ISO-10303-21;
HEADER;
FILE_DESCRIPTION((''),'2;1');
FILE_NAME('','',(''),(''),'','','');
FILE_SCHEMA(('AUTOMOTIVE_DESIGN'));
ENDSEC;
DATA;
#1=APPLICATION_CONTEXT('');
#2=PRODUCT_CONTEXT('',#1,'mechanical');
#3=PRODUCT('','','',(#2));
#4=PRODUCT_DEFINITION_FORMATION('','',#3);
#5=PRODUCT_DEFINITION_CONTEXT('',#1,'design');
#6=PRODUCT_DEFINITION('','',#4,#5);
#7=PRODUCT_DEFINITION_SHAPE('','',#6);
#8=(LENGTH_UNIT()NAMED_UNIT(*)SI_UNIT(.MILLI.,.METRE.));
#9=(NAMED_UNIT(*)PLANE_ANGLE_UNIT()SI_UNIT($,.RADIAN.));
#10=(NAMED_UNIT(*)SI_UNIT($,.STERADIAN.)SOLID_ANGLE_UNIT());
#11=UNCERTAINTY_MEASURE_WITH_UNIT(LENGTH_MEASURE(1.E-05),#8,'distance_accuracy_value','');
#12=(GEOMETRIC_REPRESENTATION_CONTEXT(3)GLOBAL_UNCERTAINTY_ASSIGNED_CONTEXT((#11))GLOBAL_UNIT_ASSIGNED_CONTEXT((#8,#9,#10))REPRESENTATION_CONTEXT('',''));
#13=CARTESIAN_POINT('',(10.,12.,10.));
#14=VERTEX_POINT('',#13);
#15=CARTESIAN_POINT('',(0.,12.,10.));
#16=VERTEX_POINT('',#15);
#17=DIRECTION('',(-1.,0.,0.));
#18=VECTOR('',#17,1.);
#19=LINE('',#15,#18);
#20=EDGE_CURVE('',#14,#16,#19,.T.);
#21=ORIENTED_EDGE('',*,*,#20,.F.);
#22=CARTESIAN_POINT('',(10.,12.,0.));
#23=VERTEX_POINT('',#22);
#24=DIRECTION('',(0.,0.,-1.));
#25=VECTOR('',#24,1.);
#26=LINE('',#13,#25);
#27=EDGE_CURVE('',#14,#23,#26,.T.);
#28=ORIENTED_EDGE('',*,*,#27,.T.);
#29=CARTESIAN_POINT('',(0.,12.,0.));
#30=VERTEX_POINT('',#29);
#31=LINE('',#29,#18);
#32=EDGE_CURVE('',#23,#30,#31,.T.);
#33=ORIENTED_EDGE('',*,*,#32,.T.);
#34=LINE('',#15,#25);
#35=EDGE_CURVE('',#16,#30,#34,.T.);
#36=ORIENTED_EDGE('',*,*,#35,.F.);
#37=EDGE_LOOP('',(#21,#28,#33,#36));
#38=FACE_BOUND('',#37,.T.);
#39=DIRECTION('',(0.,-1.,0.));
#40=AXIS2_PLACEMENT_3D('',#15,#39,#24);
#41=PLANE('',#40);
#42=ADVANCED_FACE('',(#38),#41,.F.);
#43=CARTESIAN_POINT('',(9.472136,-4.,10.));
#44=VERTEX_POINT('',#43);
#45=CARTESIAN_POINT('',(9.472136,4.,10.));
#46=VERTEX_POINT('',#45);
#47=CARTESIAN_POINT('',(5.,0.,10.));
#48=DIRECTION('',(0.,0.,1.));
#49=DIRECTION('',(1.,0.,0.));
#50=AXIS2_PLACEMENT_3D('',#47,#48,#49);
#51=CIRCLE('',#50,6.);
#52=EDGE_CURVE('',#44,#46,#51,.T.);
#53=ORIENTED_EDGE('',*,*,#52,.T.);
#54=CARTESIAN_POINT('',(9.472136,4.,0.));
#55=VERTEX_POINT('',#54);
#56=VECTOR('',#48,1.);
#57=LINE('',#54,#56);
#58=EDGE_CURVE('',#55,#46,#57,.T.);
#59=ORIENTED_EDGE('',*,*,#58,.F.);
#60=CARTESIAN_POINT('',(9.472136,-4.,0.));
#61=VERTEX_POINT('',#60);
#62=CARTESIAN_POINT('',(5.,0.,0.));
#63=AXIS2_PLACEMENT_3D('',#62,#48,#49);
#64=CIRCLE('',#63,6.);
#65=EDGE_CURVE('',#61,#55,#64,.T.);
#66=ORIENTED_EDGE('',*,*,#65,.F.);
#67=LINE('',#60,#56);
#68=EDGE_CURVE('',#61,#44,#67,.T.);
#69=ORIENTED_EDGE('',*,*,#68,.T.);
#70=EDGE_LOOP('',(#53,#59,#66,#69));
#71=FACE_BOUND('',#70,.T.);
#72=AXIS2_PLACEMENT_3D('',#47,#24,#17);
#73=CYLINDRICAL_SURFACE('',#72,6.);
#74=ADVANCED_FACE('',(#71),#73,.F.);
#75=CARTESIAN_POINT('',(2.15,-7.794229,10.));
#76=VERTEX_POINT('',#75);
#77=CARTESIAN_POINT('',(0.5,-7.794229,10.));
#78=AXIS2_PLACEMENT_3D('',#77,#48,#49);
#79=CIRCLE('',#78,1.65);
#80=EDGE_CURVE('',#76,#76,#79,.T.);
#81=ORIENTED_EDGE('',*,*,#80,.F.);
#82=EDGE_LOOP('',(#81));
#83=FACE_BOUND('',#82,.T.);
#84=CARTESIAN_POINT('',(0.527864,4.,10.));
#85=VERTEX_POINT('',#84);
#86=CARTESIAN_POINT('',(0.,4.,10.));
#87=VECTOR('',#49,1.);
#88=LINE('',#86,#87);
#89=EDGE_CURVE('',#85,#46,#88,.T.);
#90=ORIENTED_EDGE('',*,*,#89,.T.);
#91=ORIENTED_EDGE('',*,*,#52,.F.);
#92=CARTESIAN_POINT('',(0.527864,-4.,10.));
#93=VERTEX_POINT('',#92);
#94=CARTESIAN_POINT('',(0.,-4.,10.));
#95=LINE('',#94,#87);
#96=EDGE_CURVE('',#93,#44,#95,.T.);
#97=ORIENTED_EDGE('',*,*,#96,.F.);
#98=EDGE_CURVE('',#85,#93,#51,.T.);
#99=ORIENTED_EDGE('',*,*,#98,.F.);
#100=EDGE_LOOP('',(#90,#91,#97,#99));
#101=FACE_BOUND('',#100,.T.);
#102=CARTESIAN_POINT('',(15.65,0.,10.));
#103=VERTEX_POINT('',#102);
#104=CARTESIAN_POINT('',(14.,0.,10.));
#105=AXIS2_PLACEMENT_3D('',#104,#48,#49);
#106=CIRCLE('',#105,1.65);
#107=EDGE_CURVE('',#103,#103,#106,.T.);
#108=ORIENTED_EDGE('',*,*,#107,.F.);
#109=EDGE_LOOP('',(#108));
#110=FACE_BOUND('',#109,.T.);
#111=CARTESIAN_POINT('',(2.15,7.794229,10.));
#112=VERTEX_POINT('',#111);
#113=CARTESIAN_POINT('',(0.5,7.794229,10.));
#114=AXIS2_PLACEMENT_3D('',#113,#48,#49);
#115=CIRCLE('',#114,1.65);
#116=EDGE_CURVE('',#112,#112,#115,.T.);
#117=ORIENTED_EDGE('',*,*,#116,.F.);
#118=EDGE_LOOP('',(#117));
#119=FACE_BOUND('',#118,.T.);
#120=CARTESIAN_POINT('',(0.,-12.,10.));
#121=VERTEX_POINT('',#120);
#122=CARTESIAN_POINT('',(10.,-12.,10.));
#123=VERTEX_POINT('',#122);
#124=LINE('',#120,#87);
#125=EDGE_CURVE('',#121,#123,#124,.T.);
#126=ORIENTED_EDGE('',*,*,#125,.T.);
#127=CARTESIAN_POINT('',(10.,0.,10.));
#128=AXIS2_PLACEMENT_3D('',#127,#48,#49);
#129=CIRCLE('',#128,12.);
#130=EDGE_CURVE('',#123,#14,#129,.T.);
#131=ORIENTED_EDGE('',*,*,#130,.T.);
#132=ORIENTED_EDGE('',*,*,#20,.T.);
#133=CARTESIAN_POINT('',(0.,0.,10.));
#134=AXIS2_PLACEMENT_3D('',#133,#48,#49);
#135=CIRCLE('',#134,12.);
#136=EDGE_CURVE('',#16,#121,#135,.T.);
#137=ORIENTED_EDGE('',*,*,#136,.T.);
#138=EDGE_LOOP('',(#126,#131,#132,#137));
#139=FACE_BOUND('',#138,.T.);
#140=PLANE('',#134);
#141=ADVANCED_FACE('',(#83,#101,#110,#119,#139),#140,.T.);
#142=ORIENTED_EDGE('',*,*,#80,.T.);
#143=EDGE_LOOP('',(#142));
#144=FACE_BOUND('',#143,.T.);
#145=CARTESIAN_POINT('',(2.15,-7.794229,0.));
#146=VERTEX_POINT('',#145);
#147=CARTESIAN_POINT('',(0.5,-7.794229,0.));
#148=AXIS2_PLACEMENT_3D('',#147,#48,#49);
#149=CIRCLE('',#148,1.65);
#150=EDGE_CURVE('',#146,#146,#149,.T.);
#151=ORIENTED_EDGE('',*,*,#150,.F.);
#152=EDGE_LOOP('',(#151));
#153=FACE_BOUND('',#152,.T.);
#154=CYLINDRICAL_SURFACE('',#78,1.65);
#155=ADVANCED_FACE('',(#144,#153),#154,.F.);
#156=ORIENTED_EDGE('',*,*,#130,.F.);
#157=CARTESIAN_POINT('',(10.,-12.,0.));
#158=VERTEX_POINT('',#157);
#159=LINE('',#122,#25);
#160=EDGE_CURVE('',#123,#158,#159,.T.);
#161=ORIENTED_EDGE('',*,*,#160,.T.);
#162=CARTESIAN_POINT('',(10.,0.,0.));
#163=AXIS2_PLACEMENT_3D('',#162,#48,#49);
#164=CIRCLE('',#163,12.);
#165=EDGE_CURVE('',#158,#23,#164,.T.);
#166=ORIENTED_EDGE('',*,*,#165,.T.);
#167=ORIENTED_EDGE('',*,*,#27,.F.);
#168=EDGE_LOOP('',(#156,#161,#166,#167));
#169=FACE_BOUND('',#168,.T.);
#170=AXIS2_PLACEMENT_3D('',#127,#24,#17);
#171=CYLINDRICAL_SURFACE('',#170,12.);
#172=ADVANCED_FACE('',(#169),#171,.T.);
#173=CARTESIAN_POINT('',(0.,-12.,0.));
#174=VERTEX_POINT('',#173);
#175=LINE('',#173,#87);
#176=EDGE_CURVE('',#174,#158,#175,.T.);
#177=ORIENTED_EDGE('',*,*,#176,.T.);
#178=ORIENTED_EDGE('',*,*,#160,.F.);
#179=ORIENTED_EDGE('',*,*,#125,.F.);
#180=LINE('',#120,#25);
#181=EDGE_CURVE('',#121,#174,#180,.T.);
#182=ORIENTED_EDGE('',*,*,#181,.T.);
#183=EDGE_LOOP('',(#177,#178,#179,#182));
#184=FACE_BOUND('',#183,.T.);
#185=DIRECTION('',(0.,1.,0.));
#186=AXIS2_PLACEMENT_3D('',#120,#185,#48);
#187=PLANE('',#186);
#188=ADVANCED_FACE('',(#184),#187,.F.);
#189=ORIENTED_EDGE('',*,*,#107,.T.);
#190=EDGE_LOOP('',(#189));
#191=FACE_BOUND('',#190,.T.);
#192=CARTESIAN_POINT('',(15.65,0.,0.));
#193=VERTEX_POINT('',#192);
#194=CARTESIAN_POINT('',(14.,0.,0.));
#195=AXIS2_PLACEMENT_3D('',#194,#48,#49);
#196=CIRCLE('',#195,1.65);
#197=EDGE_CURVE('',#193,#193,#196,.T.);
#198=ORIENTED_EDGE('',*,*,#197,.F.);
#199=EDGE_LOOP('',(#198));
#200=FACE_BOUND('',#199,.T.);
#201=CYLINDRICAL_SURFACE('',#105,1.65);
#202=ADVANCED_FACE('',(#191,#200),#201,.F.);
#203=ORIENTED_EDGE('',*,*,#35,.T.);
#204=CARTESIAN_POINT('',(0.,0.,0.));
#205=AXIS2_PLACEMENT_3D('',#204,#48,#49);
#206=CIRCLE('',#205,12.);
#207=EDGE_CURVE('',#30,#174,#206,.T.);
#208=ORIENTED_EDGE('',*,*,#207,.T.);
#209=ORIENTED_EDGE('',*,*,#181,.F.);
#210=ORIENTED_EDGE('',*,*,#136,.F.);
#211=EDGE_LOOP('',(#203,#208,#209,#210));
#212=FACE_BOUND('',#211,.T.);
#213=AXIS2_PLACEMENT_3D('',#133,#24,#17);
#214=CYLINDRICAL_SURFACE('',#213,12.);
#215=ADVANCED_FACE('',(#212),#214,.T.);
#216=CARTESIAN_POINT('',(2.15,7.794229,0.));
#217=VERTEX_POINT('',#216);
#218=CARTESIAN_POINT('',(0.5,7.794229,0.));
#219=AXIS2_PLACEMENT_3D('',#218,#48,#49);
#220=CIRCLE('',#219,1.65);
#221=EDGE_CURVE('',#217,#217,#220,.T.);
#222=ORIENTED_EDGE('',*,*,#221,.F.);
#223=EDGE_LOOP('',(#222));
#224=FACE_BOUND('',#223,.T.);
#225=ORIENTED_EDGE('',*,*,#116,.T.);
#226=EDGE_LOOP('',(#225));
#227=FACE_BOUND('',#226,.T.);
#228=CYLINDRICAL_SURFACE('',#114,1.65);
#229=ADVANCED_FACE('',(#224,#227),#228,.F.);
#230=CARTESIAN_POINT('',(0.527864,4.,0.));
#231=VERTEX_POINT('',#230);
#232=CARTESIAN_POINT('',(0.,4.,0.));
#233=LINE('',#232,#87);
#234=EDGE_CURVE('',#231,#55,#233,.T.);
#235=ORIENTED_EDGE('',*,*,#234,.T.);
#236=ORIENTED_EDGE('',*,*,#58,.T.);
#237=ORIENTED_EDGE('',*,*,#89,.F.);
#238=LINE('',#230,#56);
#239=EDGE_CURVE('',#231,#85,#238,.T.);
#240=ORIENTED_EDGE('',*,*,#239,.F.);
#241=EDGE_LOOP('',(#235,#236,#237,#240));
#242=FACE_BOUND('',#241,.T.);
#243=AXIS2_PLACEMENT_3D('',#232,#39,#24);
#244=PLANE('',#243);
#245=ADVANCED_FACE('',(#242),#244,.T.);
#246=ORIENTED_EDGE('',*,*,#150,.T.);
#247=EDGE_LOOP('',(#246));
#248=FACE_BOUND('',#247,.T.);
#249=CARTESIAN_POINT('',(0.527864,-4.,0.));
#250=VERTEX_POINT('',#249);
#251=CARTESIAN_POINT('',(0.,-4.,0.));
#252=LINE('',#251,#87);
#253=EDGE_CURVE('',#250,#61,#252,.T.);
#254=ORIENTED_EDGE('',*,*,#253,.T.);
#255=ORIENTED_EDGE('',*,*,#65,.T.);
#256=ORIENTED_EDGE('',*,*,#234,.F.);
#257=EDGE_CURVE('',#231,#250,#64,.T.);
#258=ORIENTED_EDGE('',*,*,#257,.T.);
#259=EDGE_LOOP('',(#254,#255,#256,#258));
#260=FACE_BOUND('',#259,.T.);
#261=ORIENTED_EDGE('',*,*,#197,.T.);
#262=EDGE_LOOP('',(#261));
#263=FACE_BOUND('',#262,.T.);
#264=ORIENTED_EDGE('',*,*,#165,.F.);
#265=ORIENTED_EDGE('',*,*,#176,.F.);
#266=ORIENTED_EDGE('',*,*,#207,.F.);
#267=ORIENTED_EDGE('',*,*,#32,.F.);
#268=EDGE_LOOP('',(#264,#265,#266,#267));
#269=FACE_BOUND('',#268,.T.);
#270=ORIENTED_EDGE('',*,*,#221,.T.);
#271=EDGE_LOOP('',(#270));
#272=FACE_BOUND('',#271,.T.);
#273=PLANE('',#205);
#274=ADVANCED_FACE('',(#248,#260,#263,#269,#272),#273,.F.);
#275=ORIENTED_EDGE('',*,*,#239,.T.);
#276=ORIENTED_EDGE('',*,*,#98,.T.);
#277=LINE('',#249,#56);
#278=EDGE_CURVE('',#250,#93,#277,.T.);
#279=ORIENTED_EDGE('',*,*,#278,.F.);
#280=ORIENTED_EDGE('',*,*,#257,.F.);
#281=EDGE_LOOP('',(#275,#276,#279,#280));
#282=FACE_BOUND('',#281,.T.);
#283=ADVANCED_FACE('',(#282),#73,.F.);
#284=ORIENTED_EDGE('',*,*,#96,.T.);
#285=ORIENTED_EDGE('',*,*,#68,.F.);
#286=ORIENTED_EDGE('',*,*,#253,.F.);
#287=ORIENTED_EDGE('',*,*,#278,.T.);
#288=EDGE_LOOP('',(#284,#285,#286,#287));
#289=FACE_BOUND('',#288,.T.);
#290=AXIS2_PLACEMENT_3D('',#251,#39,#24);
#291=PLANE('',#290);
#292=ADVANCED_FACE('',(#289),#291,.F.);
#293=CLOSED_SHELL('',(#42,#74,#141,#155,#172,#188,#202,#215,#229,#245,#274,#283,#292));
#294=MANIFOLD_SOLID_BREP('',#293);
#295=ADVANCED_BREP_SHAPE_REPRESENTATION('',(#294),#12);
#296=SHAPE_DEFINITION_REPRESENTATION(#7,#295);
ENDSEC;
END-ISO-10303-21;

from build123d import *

# Parameters (mm, degrees)
SKETCH1_R           = 6
BOSS_EXTRUDE1_DEPTH = 10
M4_TAPPED_HOLE1_D   = 3.3
CIRPATTERN1_COUNT   = 3
BOSS_EXTRUDE2_START = -10
BOSS_EXTRUDE2_DEPTH = 10


with BuildPart() as part:
    # Sketch1 → Boss-Extrude1 (new body)
    with BuildSketch(Plane.XY):
        with BuildLine():
            Line((0, 12), (10, 12))
            ThreePointArc((10, 12), (22, 0), (10, -12))
            Line((10, -12), (0, -12))
            ThreePointArc((0, -12), (-12, 0), (0, 12))
        make_face()
        with Locations((5, 0)):
            Circle(SKETCH1_R, mode=Mode.SUBTRACT)
    extrude(amount=BOSS_EXTRUDE1_DEPTH)

    # M4 Tapped Hole1 (through all)
    with Locations(Plane(origin=(14, 0, 10), x_dir=(1, 0, 0), z_dir=(0, 0, 1))):
        with Locations((0, 0)):
            m4_tapped_hole1 = Hole(M4_TAPPED_HOLE1_D / 2)

    # CirPattern1: M4 Tapped Hole1 ×3 about axis
    cirpattern1_axis = Axis((5, 0, 0), (0, 0, 1))
    for i in range(1, CIRPATTERN1_COUNT):
        add(m4_tapped_hole1.rotate(cirpattern1_axis, i * 360 / CIRPATTERN1_COUNT), mode=Mode.SUBTRACT)

    # Sketch4 → Boss-Extrude2 (add)
    with BuildSketch(Plane.XY.offset(10).offset(BOSS_EXTRUDE2_START)):
        with BuildLine():
            ThreePointArc((9.472135955, 4), (5, 6), (0.527864045, 4))
            Line((0.527864045, 4), (9.472135955, 4))
        make_face()
        with BuildLine():
            Line((9.472135955, -4), (0.527864045, -4))
            ThreePointArc((0.527864045, -4), (5, -6), (9.472135955, -4))
        make_face()
    extrude(amount=BOSS_EXTRUDE2_DEPTH)


solid = part.part
